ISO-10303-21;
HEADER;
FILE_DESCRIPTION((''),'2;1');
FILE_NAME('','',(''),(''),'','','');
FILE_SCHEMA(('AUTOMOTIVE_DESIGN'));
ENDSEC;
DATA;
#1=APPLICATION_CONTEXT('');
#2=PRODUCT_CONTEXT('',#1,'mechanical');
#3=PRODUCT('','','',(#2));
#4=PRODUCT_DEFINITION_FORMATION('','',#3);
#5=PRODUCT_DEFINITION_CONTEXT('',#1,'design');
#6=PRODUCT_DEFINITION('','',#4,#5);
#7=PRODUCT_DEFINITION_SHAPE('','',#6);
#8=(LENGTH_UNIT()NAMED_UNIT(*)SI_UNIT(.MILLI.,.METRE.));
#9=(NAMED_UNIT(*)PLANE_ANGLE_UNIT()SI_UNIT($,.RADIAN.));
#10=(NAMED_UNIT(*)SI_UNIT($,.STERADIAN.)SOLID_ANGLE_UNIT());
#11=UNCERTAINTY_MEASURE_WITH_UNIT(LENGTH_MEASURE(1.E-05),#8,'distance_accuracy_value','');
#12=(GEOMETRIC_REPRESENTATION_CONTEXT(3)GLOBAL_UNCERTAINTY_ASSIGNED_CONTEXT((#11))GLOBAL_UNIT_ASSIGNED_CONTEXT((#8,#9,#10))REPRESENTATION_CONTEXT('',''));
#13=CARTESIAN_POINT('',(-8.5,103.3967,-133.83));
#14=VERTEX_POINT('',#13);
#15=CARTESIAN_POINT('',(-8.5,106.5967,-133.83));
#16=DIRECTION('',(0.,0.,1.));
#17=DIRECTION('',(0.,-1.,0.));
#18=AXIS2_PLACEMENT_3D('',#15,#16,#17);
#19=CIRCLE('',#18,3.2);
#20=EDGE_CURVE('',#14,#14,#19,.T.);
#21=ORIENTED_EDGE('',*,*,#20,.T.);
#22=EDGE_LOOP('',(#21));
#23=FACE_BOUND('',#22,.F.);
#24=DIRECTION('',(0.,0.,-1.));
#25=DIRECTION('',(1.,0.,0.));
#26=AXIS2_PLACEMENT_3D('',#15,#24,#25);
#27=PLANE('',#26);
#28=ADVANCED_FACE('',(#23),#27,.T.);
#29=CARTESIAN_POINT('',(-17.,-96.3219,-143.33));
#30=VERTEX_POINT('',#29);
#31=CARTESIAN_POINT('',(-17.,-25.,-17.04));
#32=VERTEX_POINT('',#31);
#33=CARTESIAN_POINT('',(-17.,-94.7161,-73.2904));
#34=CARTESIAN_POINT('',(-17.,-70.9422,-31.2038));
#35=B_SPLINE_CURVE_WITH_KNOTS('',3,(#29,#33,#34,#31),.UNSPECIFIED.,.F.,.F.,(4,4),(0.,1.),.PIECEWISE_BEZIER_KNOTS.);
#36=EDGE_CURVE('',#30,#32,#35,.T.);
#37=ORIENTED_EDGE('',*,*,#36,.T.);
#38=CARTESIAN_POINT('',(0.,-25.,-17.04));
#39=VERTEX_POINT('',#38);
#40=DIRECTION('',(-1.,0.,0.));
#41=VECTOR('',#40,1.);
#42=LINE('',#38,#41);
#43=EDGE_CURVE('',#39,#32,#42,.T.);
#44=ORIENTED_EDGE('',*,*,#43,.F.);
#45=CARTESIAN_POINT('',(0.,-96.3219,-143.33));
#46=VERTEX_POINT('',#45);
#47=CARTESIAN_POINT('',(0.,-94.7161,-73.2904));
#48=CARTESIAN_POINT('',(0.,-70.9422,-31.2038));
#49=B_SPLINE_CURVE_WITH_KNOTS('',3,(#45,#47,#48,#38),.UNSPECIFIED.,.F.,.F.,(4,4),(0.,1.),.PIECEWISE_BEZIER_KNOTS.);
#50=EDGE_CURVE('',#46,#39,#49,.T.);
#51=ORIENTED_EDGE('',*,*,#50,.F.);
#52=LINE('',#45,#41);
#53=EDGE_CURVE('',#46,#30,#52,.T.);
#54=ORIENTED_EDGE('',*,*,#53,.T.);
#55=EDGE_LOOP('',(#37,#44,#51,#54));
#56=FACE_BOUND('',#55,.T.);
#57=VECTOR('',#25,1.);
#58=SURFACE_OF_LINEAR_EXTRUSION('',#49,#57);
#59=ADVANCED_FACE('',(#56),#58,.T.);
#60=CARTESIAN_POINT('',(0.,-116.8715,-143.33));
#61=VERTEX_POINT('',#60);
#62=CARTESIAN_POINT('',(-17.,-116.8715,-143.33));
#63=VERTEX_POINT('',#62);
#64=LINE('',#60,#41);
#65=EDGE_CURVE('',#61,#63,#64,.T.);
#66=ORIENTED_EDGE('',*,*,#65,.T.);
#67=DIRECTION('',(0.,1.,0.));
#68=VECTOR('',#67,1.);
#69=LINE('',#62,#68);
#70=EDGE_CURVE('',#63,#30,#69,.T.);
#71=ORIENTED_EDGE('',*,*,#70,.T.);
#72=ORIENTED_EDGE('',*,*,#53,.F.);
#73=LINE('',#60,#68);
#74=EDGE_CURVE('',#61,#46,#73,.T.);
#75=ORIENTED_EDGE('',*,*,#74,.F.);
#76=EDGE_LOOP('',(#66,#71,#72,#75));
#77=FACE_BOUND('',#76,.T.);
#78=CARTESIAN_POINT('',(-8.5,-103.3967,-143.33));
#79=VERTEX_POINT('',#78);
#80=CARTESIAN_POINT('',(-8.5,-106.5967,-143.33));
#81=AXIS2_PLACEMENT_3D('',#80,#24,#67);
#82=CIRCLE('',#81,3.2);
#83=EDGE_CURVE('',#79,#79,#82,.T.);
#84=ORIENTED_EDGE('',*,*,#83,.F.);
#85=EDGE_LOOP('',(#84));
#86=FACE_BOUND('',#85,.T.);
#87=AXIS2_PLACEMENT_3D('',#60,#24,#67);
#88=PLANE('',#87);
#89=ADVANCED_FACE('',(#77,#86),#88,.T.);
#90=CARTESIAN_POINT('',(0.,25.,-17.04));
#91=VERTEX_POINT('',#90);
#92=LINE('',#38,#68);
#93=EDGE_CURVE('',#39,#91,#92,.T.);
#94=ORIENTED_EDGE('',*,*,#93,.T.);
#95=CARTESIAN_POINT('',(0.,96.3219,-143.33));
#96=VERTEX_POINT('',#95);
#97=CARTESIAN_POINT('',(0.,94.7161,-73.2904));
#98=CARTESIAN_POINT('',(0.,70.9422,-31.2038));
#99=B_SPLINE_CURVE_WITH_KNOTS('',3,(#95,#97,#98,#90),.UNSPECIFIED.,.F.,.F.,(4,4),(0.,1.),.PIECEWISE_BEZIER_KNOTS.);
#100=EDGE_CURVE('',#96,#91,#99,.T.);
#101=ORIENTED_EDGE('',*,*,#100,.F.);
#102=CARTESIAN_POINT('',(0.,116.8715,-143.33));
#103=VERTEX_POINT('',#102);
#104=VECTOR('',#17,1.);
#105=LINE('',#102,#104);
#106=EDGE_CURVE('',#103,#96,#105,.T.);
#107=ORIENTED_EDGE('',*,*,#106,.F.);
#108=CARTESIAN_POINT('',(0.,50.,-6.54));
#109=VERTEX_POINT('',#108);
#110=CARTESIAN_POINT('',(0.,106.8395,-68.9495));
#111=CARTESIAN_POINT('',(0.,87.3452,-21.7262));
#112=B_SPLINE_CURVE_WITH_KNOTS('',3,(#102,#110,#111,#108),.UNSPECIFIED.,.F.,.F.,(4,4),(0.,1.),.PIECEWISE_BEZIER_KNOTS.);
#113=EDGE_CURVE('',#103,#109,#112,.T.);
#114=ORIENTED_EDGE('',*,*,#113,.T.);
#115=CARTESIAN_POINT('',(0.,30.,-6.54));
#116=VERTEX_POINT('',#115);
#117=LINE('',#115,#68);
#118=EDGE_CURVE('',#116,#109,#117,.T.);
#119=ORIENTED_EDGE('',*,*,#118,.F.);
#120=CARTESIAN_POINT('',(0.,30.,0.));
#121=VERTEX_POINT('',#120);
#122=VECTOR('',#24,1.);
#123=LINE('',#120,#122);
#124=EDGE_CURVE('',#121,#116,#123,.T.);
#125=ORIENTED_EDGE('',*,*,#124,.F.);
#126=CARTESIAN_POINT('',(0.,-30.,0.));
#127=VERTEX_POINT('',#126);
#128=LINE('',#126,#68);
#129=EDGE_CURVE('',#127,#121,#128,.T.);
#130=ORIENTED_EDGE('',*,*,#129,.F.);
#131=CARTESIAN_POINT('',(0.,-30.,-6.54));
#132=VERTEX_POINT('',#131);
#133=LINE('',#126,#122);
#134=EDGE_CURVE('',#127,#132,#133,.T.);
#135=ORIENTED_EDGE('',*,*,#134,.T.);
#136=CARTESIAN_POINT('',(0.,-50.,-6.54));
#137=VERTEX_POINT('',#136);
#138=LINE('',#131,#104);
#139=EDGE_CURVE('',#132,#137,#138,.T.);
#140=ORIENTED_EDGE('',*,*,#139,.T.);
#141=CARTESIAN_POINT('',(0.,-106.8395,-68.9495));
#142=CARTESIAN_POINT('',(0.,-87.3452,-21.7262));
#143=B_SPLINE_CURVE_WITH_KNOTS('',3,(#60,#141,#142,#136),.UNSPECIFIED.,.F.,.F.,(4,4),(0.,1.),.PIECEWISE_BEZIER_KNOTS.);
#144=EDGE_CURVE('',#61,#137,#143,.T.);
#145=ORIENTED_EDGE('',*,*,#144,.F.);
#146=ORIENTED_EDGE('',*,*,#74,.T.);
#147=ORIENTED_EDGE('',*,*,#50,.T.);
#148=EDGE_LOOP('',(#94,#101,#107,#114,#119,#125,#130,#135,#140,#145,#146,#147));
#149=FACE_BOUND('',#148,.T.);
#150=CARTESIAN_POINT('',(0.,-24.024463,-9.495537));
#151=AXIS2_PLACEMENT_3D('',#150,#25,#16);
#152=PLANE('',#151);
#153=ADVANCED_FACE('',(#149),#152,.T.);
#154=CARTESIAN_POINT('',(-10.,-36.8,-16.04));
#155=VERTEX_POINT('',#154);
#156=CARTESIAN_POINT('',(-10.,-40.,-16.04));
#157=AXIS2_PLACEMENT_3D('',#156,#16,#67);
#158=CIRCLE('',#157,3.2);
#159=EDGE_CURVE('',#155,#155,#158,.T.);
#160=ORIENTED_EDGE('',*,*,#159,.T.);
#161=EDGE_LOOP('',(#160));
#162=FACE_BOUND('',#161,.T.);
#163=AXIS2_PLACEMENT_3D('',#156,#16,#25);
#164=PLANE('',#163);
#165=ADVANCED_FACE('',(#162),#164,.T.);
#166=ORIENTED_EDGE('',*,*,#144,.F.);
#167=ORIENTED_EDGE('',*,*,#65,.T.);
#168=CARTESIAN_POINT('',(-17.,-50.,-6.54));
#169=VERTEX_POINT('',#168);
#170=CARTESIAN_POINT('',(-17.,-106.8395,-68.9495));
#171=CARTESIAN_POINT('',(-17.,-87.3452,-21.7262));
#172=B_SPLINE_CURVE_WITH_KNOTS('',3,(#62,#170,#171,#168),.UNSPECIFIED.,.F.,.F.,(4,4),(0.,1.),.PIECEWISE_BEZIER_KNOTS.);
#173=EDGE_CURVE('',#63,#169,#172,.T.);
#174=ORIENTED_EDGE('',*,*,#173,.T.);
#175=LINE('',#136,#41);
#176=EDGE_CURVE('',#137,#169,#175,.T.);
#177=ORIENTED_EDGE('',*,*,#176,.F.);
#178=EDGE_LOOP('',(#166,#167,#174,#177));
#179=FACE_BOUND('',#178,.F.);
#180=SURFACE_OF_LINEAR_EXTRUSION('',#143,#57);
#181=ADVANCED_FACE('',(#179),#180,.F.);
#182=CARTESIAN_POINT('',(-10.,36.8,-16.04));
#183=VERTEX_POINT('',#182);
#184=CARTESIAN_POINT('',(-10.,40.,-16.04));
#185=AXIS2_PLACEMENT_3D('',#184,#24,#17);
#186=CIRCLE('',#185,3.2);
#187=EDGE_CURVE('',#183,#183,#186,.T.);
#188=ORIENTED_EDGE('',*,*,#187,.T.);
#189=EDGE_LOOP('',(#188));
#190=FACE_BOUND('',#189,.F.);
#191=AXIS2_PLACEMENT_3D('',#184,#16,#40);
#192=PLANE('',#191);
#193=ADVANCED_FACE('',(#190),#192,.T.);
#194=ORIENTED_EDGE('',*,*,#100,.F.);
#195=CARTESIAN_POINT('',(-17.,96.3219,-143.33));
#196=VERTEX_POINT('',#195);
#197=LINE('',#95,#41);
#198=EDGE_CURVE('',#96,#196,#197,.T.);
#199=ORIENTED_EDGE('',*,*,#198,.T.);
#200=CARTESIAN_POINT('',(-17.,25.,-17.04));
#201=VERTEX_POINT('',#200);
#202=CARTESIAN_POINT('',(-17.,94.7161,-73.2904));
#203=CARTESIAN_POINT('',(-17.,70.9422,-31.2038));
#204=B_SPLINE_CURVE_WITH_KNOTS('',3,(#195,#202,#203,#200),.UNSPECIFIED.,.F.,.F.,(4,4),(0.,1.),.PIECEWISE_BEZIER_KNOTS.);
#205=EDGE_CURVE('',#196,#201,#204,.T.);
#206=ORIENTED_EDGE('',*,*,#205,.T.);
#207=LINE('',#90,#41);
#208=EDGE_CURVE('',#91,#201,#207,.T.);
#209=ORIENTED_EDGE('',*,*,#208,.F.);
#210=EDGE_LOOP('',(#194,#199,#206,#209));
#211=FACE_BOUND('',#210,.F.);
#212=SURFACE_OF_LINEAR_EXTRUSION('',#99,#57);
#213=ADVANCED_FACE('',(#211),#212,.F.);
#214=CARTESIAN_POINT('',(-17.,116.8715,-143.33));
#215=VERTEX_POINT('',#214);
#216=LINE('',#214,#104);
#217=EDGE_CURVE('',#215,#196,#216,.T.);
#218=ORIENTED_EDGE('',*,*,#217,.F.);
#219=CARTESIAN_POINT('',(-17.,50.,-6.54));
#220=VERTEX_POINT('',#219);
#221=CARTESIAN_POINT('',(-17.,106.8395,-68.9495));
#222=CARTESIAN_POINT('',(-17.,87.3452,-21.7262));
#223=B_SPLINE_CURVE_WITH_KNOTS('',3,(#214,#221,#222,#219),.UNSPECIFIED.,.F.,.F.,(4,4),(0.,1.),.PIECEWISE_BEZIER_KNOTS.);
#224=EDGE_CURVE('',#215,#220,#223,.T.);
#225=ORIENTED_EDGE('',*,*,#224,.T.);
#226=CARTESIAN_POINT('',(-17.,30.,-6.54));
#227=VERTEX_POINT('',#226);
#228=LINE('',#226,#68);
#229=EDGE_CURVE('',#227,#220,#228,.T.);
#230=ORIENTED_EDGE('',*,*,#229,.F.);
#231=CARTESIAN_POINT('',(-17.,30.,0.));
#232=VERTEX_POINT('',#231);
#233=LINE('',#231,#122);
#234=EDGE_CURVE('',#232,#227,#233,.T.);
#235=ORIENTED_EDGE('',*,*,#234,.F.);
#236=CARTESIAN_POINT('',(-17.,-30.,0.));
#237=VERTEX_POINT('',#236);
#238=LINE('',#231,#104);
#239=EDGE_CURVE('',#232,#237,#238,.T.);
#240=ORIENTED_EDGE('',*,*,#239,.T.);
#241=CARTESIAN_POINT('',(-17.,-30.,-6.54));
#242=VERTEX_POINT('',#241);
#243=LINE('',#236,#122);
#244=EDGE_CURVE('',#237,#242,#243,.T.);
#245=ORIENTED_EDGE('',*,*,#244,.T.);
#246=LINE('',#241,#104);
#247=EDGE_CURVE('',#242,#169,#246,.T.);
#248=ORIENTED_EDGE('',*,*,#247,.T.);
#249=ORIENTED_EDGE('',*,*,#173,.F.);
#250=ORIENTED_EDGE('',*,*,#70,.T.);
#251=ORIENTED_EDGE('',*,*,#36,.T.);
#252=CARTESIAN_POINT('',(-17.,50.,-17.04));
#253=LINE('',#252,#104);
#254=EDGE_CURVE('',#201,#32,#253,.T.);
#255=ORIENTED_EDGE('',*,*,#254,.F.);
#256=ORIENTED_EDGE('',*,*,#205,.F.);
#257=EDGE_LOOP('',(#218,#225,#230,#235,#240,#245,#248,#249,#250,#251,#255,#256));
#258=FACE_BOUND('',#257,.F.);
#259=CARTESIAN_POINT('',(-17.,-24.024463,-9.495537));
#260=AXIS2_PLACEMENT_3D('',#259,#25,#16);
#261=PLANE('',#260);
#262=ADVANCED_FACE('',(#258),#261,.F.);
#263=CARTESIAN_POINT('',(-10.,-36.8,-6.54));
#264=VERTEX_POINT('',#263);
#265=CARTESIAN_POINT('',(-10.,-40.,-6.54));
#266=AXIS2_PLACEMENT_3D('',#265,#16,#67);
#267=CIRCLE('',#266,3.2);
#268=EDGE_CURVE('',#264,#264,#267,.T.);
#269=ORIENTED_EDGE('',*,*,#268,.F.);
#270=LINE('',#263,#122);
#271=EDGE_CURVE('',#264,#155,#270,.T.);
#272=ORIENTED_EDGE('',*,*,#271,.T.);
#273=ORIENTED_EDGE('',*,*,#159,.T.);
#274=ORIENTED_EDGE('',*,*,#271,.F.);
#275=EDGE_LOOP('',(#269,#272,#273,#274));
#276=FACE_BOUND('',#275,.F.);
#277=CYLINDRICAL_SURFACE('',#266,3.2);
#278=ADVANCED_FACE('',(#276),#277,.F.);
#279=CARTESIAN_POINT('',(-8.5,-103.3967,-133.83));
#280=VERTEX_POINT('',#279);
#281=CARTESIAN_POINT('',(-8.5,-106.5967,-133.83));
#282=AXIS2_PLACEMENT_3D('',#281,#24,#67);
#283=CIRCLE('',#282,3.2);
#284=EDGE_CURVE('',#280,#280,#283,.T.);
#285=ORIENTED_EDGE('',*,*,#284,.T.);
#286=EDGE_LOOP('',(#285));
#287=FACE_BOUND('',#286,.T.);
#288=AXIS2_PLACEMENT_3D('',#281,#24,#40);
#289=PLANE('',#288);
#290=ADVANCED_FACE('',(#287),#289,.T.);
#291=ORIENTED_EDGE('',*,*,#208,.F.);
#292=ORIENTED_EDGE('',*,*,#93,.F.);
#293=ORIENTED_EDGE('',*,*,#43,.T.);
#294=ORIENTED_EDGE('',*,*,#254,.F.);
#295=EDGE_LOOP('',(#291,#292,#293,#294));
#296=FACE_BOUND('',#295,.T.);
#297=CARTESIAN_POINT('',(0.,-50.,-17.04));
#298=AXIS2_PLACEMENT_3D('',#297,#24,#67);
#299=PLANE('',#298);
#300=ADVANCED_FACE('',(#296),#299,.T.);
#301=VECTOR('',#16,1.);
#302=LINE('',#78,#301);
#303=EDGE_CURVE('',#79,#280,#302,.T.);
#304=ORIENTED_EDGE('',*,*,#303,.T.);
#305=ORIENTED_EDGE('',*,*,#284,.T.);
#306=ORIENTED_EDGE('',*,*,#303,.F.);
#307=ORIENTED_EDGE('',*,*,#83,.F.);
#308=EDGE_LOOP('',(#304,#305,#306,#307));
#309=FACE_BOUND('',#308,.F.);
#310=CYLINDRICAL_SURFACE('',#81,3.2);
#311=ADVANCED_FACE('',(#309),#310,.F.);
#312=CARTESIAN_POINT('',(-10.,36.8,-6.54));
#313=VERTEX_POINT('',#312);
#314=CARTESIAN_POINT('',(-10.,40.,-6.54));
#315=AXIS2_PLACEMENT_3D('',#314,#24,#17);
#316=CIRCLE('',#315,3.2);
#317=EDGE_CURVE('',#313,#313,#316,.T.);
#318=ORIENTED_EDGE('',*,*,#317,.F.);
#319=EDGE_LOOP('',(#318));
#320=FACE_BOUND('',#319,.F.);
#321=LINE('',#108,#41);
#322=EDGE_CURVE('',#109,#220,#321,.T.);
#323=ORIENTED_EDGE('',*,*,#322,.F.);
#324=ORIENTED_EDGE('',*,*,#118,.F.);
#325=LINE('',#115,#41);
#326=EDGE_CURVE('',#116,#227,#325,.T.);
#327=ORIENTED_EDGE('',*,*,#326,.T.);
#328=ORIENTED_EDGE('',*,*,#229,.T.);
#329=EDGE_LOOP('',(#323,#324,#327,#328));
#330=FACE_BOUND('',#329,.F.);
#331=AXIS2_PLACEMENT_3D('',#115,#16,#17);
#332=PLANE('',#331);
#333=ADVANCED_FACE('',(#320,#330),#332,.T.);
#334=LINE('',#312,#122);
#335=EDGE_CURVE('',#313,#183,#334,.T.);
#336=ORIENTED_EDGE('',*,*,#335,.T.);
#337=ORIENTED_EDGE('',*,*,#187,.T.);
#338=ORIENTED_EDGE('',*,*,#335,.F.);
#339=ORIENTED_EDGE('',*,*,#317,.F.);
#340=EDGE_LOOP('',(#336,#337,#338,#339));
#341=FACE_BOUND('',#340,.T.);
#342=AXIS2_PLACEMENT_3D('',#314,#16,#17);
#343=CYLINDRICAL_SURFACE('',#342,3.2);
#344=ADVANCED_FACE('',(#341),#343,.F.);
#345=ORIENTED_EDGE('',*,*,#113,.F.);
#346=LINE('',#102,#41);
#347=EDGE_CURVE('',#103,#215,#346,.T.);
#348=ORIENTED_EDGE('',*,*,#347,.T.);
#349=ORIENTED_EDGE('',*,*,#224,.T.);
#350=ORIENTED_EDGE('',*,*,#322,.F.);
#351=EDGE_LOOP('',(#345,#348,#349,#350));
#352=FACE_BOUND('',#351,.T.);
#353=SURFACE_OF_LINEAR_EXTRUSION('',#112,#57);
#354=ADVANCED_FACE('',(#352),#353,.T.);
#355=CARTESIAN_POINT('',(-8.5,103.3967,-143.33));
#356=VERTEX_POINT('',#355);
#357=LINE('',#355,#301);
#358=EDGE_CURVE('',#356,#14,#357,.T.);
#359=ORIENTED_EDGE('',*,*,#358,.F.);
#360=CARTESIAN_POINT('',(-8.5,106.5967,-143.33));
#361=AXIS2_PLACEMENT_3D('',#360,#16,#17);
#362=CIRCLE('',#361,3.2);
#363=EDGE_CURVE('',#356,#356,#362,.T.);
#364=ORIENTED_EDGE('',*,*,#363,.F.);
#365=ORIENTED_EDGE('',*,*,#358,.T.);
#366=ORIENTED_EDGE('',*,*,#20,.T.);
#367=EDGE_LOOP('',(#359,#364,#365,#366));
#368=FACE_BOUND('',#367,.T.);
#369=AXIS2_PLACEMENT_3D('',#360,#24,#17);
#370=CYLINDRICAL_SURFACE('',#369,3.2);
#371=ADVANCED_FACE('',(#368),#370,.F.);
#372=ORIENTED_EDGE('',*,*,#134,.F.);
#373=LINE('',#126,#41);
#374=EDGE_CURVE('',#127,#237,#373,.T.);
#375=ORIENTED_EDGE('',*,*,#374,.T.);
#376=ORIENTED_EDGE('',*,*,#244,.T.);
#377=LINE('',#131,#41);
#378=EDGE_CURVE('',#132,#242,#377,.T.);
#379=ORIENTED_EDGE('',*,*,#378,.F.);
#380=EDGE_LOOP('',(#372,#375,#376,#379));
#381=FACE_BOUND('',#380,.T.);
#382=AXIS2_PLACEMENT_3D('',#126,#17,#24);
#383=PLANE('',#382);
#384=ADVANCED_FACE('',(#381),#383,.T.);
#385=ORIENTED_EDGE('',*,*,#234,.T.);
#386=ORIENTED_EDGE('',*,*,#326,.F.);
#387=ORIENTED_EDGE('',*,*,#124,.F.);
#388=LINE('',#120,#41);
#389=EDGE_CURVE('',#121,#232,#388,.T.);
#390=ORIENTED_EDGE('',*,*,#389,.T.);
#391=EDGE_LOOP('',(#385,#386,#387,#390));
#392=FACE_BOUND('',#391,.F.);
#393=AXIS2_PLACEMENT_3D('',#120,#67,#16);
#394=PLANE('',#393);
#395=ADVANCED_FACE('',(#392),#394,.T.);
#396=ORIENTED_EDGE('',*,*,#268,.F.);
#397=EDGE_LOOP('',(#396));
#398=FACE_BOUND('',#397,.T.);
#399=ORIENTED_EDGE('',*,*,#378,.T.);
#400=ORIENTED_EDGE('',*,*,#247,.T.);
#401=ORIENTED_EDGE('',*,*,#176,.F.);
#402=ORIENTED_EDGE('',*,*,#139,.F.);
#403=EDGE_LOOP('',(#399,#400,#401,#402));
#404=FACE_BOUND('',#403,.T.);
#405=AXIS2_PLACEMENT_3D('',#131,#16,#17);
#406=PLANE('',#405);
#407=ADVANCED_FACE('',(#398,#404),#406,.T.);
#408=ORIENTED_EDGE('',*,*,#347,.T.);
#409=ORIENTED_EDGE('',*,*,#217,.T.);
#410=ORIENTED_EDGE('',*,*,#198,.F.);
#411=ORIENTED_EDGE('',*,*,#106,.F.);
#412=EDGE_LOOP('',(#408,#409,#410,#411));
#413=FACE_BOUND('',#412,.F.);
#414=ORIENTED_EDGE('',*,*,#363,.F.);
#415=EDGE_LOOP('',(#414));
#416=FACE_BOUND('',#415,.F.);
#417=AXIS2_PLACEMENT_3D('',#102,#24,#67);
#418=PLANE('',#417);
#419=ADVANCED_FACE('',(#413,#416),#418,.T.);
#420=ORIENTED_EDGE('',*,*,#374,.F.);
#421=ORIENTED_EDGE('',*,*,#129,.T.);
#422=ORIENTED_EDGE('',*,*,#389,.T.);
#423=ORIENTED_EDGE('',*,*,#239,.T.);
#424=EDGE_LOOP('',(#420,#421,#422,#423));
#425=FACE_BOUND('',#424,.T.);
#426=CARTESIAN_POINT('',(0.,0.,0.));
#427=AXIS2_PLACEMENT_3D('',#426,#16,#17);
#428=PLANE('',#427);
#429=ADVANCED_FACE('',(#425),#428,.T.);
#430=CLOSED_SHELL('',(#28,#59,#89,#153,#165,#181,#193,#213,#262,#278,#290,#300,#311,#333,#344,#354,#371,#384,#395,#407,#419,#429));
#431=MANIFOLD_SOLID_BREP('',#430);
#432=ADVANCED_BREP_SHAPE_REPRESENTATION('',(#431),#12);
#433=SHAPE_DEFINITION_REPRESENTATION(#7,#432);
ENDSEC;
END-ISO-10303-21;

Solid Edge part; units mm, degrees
sketch "Sketch1" plane through (0, 0, 0) normal (1, 0, 0) x (0, 1, 0)
  line L0 (0, 0) -> (-30, 0)
  line L1 (-30, 0) -> (-30, -6.54)
  line L2 (-30, -6.54) -> (-50, -6.54)
  line L3 (-50, -6.54) -> (-50, -17.04)
  line L4 (-50, -17.04) -> (0, -17.04)
  line L5 (0, -17.04) -> (0, 0)
  dimension "D1" = 10.5
  dimension "D2" = 6.54
extrude "Protrusion1" add sketch "Sketch1" against normal blind 17
sketch "Sketch2" plane through (0, -25, -8.52) normal (1, 0, 0) x (0, 1, 0)
  spline S0 degree 3 poles (-71.3219, -134.81) (-69.7161, -64.7704) (-45.9422, -22.6838) (0, -8.52) knots 0 0 0 0 1 1 1 1
  line L0 (-25, 1.98) -> (0, -8.52)
  spline S1 degree 3 poles (-91.8715, -134.81) (-81.8395, -60.4295) (-62.3452, -13.2062) (-25, 1.98) knots 0 0 0 0 1 1 1 1
  line L1 (-91.8715, -134.81) -> (-71.3219, -134.81)
  dimension "D1" = 143.33
extrude "Extrusionsausprägung_2" add sketch "Sketch2" against normal blind 17
sketch "Sketch3" plane through (-8.5, -106.5967, -143.33) normal (0, 0, -1) x (0, 1, 0)
  circle A0 centre (0, 0) radius 3.2
  dimension "D1" = 6.4
extrude "Extrusionsausschnitt_1" cut sketch "Sketch3" against normal blind 9.5
mirror "Mirror1" about plane through (0, 0, 0) normal (0, -1, 0) of "Protrusion1", "Extrusionsausprägung_2", "Extrusionsausschnitt_1"
sketch "Sketch4" plane through (-8.5, -40, -6.54) normal (0, 0, 1) x (0, 1, 0)
  circle A0 centre (0, 1.5) radius 3.2
  dimension "D1" = 10
  dimension "D2" = 10
extrude "Extrusionsausschnitt_2" cut sketch "Sketch4" against normal blind 9.5
mirror "Mirror2" about plane through (0, 0, 0) normal (0, -1, 0) of "Extrusionsausschnitt_2"
properties part number "61" material "Polyacticacid"
